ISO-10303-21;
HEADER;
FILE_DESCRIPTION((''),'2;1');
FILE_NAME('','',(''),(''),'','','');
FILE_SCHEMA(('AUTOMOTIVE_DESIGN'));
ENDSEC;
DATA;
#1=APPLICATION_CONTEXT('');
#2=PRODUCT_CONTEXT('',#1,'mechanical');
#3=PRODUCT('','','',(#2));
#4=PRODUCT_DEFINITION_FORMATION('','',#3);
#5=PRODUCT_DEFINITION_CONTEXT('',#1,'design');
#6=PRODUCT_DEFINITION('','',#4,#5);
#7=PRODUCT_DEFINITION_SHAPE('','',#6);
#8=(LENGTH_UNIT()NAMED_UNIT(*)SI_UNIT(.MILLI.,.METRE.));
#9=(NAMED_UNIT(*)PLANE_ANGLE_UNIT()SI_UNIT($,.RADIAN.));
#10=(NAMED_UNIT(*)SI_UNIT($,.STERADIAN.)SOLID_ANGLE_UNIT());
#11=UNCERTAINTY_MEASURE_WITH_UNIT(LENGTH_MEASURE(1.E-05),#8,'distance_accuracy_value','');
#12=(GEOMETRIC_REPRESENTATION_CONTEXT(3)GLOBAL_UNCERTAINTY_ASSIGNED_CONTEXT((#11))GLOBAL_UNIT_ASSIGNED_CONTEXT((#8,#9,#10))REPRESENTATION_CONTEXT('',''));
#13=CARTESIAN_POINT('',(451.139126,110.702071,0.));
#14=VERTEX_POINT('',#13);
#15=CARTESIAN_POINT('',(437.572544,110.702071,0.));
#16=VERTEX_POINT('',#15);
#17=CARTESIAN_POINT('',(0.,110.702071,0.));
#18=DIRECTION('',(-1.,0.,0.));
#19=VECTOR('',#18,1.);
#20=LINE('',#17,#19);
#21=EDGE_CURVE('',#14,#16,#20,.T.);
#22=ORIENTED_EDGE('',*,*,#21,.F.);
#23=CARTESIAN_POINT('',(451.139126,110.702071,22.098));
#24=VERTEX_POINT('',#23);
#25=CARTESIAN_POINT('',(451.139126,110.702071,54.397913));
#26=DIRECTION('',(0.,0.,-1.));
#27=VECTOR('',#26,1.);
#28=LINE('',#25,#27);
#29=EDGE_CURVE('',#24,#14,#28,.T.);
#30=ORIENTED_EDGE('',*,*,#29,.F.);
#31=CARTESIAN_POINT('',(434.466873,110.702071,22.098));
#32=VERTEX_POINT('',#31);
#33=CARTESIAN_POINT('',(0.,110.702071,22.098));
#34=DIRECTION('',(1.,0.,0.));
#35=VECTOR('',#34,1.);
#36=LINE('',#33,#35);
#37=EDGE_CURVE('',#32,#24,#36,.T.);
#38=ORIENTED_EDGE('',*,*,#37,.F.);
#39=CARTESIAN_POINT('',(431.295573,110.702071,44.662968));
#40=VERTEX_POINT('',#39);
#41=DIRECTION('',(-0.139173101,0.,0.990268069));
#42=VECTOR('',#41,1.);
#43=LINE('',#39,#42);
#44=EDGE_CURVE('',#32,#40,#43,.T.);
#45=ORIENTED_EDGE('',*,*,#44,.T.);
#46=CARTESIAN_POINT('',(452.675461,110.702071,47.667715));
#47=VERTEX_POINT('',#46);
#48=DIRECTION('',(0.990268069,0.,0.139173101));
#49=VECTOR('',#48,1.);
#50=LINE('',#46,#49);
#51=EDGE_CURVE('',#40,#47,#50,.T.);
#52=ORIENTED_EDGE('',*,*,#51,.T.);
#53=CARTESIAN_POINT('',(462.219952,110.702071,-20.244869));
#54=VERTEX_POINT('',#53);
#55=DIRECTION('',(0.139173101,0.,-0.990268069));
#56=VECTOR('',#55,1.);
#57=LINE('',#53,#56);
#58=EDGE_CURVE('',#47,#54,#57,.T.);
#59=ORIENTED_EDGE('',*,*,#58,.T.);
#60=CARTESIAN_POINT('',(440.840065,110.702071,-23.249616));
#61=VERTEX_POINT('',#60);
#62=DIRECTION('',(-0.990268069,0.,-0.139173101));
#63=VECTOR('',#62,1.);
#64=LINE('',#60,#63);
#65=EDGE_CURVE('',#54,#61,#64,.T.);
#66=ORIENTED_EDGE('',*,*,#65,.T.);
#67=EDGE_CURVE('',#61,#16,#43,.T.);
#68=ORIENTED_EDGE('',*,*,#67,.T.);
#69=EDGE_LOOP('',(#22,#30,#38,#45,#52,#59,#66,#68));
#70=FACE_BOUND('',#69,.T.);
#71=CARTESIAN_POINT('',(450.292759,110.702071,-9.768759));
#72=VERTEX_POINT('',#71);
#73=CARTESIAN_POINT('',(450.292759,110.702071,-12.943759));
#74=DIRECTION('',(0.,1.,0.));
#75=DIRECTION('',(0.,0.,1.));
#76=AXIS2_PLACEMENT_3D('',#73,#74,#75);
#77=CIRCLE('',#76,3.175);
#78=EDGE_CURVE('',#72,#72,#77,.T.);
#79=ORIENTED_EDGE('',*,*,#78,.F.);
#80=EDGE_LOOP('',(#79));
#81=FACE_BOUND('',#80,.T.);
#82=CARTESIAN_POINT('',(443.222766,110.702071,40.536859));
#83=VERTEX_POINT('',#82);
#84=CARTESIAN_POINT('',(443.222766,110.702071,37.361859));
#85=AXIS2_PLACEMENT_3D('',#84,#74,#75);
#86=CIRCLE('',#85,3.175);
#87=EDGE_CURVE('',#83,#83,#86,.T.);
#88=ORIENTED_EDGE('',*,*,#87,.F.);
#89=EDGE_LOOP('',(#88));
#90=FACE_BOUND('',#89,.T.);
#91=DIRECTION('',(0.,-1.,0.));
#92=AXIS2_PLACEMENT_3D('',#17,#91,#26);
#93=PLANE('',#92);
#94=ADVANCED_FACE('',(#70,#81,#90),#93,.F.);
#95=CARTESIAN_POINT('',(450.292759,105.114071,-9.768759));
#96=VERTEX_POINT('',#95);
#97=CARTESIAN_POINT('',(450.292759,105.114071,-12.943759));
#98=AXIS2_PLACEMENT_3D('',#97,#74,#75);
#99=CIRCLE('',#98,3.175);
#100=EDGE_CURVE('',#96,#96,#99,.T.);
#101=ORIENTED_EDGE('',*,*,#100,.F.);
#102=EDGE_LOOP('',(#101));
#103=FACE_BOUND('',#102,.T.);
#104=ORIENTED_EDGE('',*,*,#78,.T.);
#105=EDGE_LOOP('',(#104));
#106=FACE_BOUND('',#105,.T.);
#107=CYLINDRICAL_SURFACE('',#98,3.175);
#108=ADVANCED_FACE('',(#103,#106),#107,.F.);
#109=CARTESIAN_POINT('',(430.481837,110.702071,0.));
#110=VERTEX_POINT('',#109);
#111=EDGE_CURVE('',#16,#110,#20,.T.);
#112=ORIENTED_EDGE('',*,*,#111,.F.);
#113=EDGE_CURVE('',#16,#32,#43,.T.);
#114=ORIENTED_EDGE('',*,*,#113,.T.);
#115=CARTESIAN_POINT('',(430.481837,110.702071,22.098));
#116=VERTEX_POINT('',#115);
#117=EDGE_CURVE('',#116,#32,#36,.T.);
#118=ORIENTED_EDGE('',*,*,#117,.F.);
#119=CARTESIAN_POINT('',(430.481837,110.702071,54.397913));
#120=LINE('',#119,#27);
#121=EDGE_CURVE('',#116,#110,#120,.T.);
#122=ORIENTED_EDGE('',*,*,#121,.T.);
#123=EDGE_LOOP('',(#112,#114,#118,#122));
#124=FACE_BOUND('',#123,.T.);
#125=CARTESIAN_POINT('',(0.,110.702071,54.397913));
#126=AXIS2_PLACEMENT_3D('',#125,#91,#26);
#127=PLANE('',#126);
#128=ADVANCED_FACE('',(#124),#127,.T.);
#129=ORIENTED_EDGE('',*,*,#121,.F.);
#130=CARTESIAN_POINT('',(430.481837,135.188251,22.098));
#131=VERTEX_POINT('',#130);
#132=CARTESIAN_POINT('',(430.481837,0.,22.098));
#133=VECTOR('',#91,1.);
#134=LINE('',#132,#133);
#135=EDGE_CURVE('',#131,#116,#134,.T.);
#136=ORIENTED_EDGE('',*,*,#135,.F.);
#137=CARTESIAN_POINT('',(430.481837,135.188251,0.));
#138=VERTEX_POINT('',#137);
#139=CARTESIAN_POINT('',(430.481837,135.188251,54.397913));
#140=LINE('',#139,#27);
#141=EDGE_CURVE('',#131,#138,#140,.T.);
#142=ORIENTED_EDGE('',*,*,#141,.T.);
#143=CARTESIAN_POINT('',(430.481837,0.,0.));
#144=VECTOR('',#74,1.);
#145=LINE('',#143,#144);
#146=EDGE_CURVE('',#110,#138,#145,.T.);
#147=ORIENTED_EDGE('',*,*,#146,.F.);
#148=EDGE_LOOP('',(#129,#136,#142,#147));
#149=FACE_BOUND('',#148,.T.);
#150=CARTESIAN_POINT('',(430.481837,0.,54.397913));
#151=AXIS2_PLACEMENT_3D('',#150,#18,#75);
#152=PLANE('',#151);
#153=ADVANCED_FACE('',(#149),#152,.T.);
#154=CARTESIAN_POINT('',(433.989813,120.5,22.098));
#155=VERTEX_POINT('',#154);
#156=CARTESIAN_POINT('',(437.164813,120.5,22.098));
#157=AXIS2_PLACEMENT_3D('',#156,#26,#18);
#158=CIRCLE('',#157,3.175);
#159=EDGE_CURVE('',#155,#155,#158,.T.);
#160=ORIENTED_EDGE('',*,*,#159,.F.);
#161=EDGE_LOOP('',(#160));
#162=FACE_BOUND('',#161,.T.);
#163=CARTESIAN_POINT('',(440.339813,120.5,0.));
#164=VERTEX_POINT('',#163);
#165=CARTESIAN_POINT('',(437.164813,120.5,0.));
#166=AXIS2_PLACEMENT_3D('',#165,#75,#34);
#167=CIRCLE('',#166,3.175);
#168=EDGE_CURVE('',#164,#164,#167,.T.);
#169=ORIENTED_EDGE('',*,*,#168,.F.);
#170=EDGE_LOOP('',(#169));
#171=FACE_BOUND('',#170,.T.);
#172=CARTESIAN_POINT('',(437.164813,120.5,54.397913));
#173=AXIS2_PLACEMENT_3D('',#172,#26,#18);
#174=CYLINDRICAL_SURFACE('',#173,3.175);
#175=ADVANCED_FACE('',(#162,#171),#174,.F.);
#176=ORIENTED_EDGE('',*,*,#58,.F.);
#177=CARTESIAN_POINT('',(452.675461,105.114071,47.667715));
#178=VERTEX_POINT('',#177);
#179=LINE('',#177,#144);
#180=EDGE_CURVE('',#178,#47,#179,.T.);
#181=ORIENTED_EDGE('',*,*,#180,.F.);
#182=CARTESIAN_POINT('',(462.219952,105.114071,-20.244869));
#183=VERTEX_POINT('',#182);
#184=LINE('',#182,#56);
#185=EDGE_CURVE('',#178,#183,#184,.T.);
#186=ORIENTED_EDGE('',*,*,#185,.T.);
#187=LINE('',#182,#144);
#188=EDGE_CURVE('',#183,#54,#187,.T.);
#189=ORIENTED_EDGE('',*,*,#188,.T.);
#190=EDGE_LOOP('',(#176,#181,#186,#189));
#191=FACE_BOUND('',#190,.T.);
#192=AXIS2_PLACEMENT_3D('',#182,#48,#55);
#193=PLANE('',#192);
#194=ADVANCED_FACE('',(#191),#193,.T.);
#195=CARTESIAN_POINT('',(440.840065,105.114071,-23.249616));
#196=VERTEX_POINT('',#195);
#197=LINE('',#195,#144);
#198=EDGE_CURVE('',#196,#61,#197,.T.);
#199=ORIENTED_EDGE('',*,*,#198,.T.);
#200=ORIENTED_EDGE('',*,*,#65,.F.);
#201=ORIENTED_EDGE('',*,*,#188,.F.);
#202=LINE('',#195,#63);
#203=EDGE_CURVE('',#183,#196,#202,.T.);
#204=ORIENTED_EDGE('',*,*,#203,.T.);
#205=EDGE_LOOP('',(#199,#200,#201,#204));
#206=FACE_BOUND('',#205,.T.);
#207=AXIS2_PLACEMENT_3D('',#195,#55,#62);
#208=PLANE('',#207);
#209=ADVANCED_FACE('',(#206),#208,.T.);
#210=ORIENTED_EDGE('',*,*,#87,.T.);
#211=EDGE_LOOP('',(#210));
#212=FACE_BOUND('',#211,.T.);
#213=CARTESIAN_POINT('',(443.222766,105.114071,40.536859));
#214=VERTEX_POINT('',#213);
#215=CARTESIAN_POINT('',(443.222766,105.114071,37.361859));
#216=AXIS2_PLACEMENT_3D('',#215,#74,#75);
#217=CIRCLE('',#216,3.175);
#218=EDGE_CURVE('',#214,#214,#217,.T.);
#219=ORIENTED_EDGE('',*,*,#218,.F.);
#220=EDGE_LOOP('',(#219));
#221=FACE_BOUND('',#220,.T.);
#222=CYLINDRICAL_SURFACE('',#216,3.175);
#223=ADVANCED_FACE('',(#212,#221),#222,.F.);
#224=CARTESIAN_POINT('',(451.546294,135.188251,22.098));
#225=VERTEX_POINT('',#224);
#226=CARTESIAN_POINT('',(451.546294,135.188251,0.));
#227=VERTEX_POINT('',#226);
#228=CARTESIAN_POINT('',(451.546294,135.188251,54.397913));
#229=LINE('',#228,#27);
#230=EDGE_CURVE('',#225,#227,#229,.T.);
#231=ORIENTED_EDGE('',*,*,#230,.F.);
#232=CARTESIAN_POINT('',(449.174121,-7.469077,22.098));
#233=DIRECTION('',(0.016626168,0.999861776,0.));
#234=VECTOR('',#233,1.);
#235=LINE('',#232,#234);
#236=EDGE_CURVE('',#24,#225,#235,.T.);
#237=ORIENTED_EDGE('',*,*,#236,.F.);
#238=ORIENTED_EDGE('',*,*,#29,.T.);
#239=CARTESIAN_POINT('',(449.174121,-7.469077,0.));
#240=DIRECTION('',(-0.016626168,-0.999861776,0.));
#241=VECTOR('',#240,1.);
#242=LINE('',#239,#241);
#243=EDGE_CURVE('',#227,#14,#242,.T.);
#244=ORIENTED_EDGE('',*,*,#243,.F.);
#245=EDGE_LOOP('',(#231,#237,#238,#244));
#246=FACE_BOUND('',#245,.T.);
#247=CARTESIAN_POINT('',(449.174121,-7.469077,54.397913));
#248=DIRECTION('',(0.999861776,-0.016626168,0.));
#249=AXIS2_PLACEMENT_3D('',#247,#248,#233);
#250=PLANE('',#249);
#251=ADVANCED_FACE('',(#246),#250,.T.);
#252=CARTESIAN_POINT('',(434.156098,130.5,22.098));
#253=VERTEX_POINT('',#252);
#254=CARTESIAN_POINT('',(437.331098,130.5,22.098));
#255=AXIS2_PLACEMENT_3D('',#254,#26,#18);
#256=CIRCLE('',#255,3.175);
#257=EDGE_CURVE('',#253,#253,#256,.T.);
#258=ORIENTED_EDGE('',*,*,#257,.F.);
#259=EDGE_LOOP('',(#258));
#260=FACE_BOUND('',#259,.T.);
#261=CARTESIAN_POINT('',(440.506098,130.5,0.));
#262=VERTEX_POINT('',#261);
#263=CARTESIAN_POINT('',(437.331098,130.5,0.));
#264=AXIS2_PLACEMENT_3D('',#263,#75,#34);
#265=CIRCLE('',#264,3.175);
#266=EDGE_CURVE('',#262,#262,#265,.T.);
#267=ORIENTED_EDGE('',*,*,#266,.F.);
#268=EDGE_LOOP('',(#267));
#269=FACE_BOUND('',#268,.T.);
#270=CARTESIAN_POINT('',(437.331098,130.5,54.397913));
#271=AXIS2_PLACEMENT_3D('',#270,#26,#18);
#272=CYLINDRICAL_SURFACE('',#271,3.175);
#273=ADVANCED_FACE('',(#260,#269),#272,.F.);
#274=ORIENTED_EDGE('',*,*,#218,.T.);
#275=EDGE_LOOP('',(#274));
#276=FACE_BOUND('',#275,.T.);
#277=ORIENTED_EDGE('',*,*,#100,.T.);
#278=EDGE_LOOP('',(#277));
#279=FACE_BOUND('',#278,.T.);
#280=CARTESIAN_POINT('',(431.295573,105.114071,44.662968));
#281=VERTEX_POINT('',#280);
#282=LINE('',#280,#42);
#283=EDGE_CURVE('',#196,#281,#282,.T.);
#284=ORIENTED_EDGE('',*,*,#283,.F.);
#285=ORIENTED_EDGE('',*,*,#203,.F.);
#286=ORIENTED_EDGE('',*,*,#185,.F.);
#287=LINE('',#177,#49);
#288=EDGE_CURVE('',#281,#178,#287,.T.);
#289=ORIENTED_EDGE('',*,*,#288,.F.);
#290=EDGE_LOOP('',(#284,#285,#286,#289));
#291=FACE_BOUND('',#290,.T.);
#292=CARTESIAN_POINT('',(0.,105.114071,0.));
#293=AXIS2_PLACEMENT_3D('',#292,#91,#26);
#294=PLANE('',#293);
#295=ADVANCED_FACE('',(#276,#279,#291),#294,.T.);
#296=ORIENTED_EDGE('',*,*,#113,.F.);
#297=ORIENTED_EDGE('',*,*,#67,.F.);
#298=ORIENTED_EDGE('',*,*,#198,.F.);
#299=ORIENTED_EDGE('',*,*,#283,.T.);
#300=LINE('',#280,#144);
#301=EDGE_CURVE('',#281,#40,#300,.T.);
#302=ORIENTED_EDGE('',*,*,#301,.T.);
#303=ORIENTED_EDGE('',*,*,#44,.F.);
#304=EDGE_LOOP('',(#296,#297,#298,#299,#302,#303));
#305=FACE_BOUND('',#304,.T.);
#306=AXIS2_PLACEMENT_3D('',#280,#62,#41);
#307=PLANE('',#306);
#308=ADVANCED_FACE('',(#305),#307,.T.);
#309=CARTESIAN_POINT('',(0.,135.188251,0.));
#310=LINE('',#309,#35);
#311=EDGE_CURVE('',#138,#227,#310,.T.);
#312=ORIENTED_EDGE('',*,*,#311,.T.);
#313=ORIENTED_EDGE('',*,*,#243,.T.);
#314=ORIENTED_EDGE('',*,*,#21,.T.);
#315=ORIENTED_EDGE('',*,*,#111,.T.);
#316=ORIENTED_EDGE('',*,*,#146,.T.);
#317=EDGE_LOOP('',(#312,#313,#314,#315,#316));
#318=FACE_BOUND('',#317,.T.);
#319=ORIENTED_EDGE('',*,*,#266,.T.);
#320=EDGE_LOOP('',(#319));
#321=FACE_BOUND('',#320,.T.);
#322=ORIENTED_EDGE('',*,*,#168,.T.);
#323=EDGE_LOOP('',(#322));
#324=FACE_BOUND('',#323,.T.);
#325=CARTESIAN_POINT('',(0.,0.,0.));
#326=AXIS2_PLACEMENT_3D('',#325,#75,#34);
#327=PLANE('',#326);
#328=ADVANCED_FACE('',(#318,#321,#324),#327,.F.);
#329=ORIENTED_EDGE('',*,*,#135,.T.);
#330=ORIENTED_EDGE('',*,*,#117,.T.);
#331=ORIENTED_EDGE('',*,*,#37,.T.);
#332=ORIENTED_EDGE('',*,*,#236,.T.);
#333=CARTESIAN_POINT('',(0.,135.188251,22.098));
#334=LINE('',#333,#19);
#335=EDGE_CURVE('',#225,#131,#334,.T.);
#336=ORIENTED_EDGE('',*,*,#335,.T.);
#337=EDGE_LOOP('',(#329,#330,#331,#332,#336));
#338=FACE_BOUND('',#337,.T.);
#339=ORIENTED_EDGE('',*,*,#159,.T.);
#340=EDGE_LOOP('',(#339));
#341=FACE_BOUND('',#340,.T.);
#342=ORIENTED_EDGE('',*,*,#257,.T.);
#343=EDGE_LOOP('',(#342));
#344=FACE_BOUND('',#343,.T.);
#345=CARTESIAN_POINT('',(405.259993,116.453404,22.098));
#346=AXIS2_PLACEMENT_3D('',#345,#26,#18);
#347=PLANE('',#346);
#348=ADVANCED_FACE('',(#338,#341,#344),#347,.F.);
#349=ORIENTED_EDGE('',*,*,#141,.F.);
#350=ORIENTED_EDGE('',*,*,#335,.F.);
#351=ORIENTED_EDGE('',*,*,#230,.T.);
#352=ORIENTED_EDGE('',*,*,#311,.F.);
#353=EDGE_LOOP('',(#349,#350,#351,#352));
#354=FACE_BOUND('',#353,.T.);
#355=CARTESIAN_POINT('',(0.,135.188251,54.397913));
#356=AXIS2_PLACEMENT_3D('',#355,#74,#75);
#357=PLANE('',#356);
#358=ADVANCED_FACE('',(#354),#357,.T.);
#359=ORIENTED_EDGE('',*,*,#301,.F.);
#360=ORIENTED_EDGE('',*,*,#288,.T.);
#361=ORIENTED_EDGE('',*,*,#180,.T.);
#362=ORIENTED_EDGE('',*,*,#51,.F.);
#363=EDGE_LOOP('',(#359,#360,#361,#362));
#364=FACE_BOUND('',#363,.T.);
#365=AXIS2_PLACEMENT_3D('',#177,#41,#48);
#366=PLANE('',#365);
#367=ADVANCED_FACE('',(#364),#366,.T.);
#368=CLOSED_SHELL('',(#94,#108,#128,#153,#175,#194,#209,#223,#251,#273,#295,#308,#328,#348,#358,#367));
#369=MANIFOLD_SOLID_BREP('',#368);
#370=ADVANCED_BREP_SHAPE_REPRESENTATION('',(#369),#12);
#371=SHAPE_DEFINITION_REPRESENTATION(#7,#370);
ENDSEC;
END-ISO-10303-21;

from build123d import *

# Parameters (mm, degrees)
SKETCH1_R           = 3.175
BOSS_EXTRUDE1_DEPTH = 22.098
SKETCH2_R           = 3.175
BOSS_EXTRUDE2_DEPTH = 5.588


with BuildPart() as part:
    # Sketch1 → Boss-Extrude1 (new body)
    with BuildSketch(Plane.XY):
        Polygon((430.481837091, 135.188251435), (451.546293611, 135.188251435), (451.139125986, 110.702070678), (430.481837091, 110.702070678), align=None)
        with Locations(Location((437.331098026, 130.5, 0), (0, 0, 180))):
            Circle(SKETCH1_R, mode=Mode.SUBTRACT)
        with Locations(Location((437.164813366, 120.5, 0), (0, 0, 180))):
            Circle(SKETCH1_R, mode=Mode.SUBTRACT)
    extrude(amount=BOSS_EXTRUDE1_DEPTH)

    # Sketch2 → Boss-Extrude2 (add)
    with BuildSketch(Plane(origin=(0, 110.702070678, 0), x_dir=(1, 0, 0), z_dir=(0, 1, 0))):
        Polygon((431.295573302, -44.662968175), (440.840064565, 23.249615979), (462.21995217, 20.24486873), (452.675460906, -47.667715425), align=None)
        with Locations(Location((443.222765971, -37.361858669, 0), (0, 0, 270))):
            Circle(SKETCH2_R, mode=Mode.SUBTRACT)
        with Locations(Location((450.2927595, 12.943759223, 0), (0, 0, 270))):
            Circle(SKETCH2_R, mode=Mode.SUBTRACT)
    extrude(amount=-BOSS_EXTRUDE2_DEPTH)


solid = part.part
